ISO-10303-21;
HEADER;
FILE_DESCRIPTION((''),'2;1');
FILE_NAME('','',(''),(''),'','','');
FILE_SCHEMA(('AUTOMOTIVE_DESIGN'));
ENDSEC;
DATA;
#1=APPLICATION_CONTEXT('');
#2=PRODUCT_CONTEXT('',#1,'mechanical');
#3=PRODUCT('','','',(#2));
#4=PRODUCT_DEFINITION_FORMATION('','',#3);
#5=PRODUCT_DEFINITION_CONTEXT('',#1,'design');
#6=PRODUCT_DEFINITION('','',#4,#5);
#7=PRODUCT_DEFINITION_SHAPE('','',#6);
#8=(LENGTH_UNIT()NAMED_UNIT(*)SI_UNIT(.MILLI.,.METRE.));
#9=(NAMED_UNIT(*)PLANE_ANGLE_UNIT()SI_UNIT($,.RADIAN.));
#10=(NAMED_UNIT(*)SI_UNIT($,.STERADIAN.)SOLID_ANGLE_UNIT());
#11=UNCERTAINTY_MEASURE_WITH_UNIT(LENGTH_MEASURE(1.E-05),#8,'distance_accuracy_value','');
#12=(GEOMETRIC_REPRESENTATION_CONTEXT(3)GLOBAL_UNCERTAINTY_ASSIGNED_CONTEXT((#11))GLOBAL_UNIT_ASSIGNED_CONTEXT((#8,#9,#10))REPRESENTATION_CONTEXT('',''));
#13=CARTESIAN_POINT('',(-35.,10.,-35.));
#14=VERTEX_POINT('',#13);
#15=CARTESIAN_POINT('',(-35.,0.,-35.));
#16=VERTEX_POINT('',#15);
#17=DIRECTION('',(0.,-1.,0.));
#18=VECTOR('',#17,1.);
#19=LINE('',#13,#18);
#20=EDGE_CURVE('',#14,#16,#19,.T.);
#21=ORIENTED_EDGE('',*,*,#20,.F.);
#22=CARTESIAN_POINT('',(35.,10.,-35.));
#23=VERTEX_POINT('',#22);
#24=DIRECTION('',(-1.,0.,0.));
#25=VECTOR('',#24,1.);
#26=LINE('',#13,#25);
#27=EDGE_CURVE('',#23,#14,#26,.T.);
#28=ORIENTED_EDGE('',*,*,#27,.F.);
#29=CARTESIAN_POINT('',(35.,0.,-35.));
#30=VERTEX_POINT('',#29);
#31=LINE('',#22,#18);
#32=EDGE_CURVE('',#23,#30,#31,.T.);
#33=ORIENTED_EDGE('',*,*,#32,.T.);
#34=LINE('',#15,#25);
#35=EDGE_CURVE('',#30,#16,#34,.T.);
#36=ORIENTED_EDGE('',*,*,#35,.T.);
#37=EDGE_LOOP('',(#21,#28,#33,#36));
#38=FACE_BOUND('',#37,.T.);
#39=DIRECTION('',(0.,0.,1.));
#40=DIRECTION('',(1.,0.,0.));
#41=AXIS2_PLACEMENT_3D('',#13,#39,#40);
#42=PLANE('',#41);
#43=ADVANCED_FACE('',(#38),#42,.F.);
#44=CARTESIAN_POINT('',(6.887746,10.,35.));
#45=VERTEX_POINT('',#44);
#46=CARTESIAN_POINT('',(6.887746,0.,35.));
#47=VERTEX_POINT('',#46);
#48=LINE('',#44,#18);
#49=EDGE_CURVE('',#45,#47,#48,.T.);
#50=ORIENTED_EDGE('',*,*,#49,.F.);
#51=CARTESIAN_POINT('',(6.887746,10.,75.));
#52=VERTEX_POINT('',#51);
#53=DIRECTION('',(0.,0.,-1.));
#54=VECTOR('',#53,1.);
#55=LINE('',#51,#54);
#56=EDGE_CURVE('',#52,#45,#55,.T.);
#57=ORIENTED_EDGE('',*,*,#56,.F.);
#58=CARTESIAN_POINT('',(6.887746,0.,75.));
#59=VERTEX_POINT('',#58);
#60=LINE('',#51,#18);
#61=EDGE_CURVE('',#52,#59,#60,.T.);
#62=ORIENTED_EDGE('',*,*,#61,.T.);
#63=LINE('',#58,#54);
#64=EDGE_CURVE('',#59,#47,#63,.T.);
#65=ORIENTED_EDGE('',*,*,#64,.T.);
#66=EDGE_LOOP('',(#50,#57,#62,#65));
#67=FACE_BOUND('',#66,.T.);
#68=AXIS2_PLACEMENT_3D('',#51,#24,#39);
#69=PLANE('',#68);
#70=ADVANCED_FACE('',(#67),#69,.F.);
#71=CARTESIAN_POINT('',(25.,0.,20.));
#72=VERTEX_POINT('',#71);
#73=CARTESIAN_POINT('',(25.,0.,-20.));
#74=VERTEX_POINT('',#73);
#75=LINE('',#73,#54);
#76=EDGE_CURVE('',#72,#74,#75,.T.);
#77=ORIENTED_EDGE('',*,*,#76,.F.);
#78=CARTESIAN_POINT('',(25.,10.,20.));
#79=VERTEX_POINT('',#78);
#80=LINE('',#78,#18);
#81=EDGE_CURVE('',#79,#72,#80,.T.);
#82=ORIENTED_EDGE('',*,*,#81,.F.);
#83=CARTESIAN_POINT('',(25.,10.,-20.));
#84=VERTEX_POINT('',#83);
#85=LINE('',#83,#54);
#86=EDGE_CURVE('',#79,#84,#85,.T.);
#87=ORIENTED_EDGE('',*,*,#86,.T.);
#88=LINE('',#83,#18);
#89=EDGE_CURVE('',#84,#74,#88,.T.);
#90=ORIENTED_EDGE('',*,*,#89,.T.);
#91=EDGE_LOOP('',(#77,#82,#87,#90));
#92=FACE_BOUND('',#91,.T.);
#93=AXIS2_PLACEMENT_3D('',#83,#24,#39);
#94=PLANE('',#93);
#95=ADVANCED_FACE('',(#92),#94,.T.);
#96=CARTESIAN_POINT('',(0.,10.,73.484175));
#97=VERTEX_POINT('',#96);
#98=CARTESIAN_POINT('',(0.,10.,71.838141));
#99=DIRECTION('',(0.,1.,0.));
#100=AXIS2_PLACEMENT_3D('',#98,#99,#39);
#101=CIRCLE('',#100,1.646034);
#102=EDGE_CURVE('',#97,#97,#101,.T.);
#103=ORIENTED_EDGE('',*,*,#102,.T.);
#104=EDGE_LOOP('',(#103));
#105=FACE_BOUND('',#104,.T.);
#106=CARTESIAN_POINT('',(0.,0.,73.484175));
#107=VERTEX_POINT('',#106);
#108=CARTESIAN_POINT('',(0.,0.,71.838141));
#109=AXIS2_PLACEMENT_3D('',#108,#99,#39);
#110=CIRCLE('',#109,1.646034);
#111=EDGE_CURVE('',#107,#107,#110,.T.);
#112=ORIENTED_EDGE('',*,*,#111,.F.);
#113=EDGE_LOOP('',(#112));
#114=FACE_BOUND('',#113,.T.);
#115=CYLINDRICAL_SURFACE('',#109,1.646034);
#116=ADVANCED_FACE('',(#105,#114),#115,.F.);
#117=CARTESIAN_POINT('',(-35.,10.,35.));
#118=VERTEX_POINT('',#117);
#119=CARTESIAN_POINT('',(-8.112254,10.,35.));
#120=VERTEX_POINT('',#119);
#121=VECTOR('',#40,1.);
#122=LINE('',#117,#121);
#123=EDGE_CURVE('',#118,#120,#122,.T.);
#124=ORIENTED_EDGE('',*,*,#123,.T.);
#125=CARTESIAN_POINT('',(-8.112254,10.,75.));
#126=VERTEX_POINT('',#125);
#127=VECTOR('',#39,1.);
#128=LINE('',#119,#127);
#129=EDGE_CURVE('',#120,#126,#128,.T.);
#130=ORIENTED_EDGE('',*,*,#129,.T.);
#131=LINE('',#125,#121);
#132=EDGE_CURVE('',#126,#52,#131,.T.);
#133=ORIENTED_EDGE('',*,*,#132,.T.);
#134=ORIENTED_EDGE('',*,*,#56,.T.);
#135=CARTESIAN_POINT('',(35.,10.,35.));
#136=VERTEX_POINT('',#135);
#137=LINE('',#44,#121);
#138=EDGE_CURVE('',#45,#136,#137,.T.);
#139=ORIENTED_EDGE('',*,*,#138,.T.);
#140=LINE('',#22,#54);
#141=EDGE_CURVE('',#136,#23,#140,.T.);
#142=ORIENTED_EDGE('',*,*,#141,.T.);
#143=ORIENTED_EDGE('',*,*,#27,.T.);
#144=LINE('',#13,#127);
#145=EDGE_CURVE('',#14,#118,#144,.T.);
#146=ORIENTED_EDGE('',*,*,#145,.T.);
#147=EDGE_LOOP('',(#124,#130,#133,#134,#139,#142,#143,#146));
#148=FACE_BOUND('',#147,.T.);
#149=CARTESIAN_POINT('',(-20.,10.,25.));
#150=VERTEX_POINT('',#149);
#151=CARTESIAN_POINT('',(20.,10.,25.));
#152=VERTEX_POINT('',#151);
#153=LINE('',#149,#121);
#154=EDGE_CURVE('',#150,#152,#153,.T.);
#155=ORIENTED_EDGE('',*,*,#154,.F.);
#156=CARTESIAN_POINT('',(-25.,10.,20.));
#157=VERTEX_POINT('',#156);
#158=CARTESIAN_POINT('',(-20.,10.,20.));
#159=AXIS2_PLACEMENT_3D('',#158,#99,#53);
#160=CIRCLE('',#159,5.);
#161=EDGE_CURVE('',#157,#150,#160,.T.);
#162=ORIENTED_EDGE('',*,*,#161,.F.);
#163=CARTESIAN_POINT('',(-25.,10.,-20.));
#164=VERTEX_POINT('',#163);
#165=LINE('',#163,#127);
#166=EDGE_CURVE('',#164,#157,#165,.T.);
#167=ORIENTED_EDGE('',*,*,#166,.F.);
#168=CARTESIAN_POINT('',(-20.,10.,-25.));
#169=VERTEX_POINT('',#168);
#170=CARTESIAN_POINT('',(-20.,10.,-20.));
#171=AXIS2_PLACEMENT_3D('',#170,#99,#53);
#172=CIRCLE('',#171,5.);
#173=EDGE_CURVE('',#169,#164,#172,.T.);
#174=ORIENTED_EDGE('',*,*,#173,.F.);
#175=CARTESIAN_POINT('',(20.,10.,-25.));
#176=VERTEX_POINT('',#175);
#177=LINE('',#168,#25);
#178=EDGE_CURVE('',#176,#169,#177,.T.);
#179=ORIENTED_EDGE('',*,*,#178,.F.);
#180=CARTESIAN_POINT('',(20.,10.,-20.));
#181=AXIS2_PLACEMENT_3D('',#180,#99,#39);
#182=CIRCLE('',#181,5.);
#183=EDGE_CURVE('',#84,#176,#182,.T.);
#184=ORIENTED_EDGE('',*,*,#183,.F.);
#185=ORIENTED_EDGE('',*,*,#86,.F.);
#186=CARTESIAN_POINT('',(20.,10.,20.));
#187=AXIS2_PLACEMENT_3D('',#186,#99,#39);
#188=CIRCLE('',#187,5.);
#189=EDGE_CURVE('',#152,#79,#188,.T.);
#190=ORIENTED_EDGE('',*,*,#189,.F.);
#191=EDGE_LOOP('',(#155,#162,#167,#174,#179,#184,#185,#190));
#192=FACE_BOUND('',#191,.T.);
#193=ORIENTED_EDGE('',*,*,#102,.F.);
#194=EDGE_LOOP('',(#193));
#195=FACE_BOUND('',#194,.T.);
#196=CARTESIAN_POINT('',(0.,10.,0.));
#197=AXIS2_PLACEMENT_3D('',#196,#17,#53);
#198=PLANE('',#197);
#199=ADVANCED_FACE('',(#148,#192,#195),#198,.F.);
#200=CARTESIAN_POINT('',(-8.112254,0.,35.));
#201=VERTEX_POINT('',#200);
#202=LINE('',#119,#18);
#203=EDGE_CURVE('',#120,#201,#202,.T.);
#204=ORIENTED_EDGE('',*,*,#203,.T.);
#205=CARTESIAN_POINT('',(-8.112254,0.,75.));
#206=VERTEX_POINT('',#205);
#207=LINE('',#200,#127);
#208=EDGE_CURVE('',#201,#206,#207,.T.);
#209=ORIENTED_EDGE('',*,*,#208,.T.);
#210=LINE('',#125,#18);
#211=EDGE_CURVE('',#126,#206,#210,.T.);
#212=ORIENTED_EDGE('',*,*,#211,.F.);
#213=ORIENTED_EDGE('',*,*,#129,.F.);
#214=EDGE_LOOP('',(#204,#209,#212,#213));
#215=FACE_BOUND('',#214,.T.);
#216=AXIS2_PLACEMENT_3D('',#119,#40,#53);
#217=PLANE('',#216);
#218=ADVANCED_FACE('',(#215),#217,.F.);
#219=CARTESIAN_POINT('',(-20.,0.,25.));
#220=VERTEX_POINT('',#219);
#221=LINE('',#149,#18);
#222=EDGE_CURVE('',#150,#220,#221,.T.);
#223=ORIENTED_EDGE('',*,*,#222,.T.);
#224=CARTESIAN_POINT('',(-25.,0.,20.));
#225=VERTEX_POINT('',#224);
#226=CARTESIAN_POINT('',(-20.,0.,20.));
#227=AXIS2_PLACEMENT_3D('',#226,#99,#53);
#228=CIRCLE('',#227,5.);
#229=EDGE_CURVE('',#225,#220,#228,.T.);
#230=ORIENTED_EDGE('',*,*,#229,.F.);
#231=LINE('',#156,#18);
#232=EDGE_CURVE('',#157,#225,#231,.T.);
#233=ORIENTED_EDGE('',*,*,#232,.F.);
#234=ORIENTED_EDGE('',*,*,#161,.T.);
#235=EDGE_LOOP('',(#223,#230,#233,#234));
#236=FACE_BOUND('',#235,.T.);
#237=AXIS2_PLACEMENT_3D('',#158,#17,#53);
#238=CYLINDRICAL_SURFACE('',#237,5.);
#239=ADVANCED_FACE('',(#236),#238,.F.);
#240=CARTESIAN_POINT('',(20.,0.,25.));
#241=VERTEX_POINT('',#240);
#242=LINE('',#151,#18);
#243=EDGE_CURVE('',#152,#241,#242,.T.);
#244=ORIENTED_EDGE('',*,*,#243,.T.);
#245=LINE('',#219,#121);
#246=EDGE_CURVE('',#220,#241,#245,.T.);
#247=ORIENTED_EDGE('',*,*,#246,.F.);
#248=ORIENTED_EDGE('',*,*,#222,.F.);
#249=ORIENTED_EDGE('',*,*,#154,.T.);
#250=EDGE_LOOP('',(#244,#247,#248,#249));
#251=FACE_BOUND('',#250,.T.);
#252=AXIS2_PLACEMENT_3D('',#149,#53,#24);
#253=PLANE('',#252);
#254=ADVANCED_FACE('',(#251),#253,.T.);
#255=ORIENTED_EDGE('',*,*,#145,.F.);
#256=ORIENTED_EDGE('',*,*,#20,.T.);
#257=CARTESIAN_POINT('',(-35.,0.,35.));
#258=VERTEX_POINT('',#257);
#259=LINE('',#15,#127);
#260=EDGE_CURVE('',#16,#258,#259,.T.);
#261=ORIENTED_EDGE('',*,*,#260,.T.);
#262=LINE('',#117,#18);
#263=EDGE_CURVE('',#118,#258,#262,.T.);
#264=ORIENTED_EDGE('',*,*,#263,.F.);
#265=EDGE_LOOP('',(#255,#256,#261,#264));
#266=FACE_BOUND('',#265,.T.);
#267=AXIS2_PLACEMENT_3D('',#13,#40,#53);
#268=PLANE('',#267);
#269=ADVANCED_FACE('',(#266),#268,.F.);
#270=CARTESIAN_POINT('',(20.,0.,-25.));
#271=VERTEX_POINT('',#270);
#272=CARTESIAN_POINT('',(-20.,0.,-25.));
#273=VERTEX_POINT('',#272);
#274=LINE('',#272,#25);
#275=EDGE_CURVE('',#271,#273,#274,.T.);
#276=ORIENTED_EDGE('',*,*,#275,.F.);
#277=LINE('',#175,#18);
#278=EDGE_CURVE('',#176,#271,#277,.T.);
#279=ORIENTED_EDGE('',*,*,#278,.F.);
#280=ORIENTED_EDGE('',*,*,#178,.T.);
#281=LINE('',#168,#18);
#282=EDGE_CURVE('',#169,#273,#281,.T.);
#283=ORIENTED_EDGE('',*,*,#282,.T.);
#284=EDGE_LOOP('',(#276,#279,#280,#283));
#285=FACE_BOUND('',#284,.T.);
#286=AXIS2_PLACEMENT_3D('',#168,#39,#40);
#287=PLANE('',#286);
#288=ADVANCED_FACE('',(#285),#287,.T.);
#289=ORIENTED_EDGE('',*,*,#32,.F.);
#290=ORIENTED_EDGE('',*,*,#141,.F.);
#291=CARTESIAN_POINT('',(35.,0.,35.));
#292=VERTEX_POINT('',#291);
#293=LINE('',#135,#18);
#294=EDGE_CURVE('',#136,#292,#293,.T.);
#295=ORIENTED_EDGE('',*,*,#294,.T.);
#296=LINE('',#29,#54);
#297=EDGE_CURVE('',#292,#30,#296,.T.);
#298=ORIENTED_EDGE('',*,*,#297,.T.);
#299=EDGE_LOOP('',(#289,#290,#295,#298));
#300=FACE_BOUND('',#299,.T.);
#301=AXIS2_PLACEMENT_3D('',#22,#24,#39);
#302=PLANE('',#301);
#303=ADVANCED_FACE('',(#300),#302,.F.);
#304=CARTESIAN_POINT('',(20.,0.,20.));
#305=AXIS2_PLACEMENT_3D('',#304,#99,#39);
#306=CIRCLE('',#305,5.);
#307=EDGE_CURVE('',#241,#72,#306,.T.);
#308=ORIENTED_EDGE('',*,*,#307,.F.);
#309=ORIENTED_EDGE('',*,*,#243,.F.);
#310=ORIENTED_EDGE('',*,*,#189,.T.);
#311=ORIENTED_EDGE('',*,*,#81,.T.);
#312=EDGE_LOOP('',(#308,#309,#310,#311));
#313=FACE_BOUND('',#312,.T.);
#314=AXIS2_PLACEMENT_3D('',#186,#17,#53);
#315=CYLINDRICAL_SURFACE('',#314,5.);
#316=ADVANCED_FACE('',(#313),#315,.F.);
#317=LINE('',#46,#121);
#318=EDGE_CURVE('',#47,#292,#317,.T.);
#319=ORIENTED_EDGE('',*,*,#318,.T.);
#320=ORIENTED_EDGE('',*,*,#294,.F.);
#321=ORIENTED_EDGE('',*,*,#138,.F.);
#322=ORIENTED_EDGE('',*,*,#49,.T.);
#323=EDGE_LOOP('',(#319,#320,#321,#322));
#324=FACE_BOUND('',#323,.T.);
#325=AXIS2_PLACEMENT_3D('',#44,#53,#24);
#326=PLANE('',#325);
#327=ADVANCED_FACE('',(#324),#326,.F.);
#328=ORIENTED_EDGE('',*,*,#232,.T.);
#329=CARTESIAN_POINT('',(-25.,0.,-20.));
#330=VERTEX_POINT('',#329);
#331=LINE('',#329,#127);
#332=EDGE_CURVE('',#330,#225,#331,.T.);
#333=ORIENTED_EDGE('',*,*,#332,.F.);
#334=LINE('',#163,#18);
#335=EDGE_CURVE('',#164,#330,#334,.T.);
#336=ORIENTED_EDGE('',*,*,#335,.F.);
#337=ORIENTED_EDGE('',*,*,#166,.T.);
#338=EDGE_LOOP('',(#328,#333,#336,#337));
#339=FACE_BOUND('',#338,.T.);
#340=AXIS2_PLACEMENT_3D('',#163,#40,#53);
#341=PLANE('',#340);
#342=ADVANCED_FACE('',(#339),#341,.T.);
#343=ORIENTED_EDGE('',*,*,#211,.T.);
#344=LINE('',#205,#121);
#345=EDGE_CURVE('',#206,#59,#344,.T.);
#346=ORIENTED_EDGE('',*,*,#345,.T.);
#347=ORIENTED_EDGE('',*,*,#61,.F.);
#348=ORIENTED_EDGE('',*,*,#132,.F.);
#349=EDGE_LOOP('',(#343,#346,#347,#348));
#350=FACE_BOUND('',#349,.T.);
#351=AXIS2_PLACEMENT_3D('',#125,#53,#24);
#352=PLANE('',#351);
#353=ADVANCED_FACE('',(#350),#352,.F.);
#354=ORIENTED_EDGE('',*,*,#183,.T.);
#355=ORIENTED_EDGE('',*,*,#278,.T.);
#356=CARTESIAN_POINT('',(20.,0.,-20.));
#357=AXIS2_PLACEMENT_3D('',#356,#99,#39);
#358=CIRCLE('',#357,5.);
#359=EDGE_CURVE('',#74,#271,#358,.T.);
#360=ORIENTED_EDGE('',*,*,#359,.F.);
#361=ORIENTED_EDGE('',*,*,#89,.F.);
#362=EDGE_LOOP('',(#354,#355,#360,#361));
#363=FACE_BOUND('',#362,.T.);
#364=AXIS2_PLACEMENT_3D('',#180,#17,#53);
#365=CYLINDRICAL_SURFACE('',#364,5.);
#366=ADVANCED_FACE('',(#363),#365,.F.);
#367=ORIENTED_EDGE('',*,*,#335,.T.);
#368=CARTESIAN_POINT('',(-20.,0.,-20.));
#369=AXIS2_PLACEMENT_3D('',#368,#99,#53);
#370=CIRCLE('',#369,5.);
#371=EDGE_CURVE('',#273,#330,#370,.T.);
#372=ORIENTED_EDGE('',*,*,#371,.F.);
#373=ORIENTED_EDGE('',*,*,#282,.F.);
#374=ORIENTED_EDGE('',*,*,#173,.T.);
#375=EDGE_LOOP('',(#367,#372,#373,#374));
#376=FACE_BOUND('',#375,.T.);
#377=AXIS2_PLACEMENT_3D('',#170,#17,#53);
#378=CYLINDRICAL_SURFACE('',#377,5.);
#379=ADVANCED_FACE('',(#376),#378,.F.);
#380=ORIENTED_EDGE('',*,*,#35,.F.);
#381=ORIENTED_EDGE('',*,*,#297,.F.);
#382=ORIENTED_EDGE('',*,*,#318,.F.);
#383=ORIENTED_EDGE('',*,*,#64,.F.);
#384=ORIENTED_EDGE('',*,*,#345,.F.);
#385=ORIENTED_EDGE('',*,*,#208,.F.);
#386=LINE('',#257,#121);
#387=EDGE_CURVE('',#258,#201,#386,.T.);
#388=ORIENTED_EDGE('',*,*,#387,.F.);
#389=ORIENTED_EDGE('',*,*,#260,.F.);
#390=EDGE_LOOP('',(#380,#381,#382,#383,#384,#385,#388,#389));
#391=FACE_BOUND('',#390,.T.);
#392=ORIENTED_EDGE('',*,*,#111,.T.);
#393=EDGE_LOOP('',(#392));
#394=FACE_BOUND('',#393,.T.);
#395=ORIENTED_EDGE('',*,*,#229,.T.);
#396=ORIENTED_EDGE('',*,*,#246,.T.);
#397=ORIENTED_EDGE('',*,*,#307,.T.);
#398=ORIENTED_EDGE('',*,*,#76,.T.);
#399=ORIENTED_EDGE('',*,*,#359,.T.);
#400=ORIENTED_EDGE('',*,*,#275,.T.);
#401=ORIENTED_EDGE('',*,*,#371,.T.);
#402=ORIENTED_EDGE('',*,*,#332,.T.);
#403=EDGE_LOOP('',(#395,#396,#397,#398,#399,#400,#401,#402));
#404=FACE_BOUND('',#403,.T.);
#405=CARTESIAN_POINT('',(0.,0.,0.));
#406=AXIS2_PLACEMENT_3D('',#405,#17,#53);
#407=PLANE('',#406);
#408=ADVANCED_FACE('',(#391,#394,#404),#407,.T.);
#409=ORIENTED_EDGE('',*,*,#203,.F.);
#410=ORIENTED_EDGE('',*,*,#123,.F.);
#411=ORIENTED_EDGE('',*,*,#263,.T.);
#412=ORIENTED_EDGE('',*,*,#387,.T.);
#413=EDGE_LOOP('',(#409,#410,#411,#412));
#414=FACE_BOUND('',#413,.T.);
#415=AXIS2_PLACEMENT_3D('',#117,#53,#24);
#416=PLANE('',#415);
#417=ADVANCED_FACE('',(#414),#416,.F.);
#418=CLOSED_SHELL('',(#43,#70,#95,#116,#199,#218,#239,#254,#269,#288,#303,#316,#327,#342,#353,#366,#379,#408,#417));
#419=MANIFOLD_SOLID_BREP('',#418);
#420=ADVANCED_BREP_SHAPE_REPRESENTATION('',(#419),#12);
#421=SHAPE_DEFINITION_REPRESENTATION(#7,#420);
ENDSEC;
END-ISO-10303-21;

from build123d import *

# Parameters (mm, degrees)
EXTRUDE_1_DEPTH     = 10
SKETCH_2_R          = 1.646034056
CUT_EXTRUDE_1_DEPTH = 84.366660003


with BuildPart() as part:
    # 草图1 → 凸台-拉伸1 (new body)
    with BuildSketch(Plane(origin=(0, 0, 0), x_dir=(1, 0, 0), z_dir=(0, 1, 0))):
        Polygon((-8.112254188, -35), (-8.112254188, -75), (6.887745812, -75), (6.887745812, -35), (35, -35), (35, 35), (-35, 35), (-35, -35), align=None)
        with BuildLine():
            Line((-20, 25), (20, 25))
            ThreePointArc((20, 25), (23.535533906, 23.535533906), (25, 20))
            Line((25, 20), (25, -20))
            ThreePointArc((25, -20), (23.535533906, -23.535533906), (20, -25))
            Line((20, -25), (-20, -25))
            ThreePointArc((-20, -25), (-23.535533906, -23.535533906), (-25, -20))
            Line((-25, -20), (-25, 20))
            ThreePointArc((-25, 20), (-23.535533906, 23.535533906), (-20, 25))
        make_face(mode=Mode.SUBTRACT)
    extrude(amount=EXTRUDE_1_DEPTH)

    # 草图2 → 切除-拉伸1 (cut, through all)
    with BuildSketch(Plane(origin=(0, 10, 0), x_dir=(1, 0, 0), z_dir=(0, 1, 0))):
        with Locations(Location((0, -71.838140911, 0), (0, 0, 270))):
            Circle(SKETCH_2_R)
    extrude(amount=-CUT_EXTRUDE_1_DEPTH, mode=Mode.SUBTRACT)


solid = part.part
